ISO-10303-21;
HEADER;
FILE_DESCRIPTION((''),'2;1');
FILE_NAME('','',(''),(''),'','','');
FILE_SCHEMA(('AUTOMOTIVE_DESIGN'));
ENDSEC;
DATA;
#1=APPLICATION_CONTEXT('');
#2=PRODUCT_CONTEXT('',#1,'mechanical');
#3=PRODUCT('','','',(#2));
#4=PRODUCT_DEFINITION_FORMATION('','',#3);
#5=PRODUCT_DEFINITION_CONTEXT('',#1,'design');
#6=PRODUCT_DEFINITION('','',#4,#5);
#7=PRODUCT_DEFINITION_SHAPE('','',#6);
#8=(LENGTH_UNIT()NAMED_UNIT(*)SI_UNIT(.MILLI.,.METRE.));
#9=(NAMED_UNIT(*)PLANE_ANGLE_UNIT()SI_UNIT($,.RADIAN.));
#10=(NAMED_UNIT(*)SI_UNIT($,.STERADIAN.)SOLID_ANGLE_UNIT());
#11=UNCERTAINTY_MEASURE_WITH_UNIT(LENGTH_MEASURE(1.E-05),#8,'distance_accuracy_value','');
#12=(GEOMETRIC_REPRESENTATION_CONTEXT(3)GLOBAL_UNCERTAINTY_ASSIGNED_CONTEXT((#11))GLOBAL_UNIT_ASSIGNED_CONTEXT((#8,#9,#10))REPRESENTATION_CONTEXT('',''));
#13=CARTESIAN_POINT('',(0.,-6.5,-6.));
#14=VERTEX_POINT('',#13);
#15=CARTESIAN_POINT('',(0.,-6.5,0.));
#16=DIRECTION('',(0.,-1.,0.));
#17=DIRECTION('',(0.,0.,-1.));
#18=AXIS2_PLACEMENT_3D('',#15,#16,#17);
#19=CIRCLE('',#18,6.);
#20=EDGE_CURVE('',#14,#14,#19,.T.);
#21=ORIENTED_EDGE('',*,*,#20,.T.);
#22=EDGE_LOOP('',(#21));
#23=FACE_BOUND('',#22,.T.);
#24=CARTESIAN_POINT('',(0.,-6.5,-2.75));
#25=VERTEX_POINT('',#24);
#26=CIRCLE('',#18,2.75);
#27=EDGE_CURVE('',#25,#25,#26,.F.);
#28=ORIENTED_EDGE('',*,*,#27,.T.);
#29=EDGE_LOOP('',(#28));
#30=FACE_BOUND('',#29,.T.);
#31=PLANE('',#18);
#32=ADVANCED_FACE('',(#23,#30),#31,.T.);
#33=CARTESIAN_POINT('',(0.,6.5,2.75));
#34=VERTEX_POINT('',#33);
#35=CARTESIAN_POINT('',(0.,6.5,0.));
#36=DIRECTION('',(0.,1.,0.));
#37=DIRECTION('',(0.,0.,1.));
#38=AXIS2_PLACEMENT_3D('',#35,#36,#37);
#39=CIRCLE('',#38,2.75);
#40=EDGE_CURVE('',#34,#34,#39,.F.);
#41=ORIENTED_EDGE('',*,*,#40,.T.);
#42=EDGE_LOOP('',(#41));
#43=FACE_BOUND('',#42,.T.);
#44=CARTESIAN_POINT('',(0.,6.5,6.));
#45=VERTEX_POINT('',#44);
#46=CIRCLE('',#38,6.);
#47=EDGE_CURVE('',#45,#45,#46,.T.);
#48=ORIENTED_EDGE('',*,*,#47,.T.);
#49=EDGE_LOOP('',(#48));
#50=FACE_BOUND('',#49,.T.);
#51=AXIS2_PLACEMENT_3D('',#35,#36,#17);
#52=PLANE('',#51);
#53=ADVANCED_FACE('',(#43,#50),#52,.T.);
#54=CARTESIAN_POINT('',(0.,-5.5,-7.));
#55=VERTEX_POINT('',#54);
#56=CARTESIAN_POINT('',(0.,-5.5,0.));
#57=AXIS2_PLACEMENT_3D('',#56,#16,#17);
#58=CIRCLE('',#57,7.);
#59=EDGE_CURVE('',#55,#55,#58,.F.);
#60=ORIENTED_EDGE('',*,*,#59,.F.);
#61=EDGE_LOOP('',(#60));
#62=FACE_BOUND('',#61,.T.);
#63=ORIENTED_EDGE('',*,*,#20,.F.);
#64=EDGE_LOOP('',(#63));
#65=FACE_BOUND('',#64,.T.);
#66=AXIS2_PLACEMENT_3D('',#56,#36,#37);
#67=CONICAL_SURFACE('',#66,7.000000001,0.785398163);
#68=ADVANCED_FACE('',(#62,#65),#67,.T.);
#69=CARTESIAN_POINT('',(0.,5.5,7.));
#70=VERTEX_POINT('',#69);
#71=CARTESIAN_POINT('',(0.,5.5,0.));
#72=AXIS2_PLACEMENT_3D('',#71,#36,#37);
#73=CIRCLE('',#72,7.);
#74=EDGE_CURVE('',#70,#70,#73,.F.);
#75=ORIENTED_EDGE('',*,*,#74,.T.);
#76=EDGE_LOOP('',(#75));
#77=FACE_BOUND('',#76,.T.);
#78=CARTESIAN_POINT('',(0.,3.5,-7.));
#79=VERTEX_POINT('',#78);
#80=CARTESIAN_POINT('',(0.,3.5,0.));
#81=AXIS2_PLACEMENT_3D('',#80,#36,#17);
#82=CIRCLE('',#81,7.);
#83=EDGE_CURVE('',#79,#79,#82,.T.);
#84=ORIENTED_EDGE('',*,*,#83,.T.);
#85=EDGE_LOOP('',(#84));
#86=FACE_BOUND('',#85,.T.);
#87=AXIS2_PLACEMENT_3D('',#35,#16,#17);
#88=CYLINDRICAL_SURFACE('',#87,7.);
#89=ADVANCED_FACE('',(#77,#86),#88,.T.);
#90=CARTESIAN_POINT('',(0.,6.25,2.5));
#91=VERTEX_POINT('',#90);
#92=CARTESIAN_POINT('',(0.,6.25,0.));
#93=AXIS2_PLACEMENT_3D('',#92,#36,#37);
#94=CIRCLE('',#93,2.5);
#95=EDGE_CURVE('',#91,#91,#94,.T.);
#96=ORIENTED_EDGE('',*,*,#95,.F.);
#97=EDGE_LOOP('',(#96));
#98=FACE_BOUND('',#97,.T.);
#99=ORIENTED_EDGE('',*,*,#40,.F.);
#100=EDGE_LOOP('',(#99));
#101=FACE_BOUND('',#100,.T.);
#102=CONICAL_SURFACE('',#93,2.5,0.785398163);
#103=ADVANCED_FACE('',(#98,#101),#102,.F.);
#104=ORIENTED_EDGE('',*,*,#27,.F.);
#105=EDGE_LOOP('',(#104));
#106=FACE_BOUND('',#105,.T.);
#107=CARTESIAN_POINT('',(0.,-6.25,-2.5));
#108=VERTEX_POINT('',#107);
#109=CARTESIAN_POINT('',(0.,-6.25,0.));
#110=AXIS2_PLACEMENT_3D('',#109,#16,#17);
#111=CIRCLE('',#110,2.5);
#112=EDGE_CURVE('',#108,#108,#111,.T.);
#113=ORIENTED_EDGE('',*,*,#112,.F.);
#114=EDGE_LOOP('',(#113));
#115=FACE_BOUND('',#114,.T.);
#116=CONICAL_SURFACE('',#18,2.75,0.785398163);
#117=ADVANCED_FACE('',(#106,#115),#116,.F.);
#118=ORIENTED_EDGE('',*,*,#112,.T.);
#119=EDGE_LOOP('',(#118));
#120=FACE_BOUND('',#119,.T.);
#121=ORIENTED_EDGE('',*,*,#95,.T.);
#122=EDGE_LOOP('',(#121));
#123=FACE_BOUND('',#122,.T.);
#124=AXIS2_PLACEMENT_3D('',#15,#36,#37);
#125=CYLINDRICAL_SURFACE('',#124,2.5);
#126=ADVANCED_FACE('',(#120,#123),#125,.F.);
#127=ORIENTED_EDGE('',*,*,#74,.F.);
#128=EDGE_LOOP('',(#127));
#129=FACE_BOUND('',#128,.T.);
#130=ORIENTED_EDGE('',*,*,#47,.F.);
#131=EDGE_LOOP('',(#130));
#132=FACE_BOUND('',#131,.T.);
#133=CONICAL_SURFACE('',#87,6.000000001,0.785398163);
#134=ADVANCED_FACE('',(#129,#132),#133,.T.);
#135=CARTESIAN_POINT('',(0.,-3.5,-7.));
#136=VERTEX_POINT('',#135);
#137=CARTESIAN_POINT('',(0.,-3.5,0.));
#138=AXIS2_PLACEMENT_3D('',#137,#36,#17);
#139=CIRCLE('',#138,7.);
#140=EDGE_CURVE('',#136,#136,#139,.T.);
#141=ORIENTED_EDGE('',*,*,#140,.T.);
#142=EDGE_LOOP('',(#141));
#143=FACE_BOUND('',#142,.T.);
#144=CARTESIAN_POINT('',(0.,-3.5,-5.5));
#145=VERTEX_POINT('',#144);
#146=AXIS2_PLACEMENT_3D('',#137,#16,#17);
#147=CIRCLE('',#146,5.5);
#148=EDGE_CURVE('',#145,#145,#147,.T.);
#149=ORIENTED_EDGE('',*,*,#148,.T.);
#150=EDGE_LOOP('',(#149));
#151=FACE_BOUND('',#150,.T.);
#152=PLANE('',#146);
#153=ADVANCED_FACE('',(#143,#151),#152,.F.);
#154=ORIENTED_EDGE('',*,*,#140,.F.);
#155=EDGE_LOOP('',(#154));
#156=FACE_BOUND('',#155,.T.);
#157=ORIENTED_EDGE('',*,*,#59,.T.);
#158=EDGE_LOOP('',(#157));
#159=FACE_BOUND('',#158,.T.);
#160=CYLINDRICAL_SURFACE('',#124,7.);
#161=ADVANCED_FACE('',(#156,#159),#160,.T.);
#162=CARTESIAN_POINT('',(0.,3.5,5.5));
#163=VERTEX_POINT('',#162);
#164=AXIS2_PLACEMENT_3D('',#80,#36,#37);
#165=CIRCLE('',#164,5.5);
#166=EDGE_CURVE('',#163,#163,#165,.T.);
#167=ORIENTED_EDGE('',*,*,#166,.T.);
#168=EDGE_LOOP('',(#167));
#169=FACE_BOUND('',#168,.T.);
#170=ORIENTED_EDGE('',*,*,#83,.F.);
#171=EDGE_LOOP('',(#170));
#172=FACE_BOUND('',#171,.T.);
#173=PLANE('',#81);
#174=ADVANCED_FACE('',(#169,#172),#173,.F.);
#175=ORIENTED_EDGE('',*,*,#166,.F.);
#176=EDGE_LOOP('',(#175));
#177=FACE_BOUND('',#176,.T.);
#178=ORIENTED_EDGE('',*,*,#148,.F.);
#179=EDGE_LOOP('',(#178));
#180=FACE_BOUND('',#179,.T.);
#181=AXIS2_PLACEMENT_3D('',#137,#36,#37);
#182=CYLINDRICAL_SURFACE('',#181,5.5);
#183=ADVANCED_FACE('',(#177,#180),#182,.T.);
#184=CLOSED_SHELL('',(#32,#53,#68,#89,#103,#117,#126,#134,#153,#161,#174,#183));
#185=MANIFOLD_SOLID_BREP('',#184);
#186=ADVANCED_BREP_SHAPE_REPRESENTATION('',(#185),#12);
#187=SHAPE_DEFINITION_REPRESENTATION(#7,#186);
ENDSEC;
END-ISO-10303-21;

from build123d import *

# Parameters (mm, degrees)
SKETCH2_R                = 5.500000001
BOSS_EXTRUDE2_DEPTH      = 3.5
SKETCH3_R                = 7.000000001
BOSS_EXTRUDE3_DEPTH      = 3
CHAMFER1_SIZE            = 1
CHAMFER1_OF_MIRROR1_SIZE = 1
CUT_EXTRUDE1_DEPTH       = 12.842719284
CUT_EXTRUDE1_DEPTH_BACK  = 12.842719284
SKETCH4_R                = 2.5
CHAMFER2_SIZE            = 0.25


with BuildPart() as part:
    # Sketch2 → Boss-Extrude2 (new, symmetric)
    with BuildSketch(Plane.XZ):
        with Locations(Location((0, 0, 0), (0, 0, 270))):
            Circle(SKETCH2_R)
    extrude(amount=BOSS_EXTRUDE2_DEPTH, both=True)

    # Sketch3 → Boss-Extrude3 (add)
    with BuildSketch(Plane(origin=(0, -3.5, 0), x_dir=(1, 0, 0), z_dir=(0, 1, 0))):
        with Locations(Location((0, 0, 0), (0, 0, 90))):
            Circle(SKETCH3_R)
    boss_extrude3 = extrude(amount=-BOSS_EXTRUDE3_DEPTH)

    # Chamfer1
    chamfer1_edges = [part.edges().sort_by_distance(p)[0] for p in [
        (0, -6.5, 7.000000001),
    ]]
    chamfer(chamfer1_edges, length=CHAMFER1_SIZE)

    # Mirror1: Boss-Extrude3 across plane
    add(boss_extrude3.mirror(Plane.ZX))

    # Chamfer1 of Mirror1
    chamfer1_of_mirror1_edges = [part.edges().sort_by_distance(p)[0] for p in [
        (0, 6.5, 7.000000001),
    ]]
    chamfer(chamfer1_of_mirror1_edges, length=CHAMFER1_OF_MIRROR1_SIZE)

    # Sketch4 → Cut-Extrude1 (cut, two sides: drawn at the far end of the back side and taken through both)
    with BuildSketch(Plane(origin=(0, 0, 0), x_dir=(-1, 0, 0), z_dir=(0, 1, 0)).offset(-CUT_EXTRUDE1_DEPTH_BACK)):
        with Locations(Location((0, 0, 0), (0, 0, 270))):
            Circle(SKETCH4_R)
    extrude(amount=CUT_EXTRUDE1_DEPTH + CUT_EXTRUDE1_DEPTH_BACK, mode=Mode.SUBTRACT)

    # Chamfer2
    chamfer2_edges = [part.edges().sort_by_distance(p)[0] for p in [
        (0, -6.5, 2.5),
        (0, 6.5, 2.5),
    ]]
    chamfer(chamfer2_edges, length=CHAMFER2_SIZE)


solid = part.part
